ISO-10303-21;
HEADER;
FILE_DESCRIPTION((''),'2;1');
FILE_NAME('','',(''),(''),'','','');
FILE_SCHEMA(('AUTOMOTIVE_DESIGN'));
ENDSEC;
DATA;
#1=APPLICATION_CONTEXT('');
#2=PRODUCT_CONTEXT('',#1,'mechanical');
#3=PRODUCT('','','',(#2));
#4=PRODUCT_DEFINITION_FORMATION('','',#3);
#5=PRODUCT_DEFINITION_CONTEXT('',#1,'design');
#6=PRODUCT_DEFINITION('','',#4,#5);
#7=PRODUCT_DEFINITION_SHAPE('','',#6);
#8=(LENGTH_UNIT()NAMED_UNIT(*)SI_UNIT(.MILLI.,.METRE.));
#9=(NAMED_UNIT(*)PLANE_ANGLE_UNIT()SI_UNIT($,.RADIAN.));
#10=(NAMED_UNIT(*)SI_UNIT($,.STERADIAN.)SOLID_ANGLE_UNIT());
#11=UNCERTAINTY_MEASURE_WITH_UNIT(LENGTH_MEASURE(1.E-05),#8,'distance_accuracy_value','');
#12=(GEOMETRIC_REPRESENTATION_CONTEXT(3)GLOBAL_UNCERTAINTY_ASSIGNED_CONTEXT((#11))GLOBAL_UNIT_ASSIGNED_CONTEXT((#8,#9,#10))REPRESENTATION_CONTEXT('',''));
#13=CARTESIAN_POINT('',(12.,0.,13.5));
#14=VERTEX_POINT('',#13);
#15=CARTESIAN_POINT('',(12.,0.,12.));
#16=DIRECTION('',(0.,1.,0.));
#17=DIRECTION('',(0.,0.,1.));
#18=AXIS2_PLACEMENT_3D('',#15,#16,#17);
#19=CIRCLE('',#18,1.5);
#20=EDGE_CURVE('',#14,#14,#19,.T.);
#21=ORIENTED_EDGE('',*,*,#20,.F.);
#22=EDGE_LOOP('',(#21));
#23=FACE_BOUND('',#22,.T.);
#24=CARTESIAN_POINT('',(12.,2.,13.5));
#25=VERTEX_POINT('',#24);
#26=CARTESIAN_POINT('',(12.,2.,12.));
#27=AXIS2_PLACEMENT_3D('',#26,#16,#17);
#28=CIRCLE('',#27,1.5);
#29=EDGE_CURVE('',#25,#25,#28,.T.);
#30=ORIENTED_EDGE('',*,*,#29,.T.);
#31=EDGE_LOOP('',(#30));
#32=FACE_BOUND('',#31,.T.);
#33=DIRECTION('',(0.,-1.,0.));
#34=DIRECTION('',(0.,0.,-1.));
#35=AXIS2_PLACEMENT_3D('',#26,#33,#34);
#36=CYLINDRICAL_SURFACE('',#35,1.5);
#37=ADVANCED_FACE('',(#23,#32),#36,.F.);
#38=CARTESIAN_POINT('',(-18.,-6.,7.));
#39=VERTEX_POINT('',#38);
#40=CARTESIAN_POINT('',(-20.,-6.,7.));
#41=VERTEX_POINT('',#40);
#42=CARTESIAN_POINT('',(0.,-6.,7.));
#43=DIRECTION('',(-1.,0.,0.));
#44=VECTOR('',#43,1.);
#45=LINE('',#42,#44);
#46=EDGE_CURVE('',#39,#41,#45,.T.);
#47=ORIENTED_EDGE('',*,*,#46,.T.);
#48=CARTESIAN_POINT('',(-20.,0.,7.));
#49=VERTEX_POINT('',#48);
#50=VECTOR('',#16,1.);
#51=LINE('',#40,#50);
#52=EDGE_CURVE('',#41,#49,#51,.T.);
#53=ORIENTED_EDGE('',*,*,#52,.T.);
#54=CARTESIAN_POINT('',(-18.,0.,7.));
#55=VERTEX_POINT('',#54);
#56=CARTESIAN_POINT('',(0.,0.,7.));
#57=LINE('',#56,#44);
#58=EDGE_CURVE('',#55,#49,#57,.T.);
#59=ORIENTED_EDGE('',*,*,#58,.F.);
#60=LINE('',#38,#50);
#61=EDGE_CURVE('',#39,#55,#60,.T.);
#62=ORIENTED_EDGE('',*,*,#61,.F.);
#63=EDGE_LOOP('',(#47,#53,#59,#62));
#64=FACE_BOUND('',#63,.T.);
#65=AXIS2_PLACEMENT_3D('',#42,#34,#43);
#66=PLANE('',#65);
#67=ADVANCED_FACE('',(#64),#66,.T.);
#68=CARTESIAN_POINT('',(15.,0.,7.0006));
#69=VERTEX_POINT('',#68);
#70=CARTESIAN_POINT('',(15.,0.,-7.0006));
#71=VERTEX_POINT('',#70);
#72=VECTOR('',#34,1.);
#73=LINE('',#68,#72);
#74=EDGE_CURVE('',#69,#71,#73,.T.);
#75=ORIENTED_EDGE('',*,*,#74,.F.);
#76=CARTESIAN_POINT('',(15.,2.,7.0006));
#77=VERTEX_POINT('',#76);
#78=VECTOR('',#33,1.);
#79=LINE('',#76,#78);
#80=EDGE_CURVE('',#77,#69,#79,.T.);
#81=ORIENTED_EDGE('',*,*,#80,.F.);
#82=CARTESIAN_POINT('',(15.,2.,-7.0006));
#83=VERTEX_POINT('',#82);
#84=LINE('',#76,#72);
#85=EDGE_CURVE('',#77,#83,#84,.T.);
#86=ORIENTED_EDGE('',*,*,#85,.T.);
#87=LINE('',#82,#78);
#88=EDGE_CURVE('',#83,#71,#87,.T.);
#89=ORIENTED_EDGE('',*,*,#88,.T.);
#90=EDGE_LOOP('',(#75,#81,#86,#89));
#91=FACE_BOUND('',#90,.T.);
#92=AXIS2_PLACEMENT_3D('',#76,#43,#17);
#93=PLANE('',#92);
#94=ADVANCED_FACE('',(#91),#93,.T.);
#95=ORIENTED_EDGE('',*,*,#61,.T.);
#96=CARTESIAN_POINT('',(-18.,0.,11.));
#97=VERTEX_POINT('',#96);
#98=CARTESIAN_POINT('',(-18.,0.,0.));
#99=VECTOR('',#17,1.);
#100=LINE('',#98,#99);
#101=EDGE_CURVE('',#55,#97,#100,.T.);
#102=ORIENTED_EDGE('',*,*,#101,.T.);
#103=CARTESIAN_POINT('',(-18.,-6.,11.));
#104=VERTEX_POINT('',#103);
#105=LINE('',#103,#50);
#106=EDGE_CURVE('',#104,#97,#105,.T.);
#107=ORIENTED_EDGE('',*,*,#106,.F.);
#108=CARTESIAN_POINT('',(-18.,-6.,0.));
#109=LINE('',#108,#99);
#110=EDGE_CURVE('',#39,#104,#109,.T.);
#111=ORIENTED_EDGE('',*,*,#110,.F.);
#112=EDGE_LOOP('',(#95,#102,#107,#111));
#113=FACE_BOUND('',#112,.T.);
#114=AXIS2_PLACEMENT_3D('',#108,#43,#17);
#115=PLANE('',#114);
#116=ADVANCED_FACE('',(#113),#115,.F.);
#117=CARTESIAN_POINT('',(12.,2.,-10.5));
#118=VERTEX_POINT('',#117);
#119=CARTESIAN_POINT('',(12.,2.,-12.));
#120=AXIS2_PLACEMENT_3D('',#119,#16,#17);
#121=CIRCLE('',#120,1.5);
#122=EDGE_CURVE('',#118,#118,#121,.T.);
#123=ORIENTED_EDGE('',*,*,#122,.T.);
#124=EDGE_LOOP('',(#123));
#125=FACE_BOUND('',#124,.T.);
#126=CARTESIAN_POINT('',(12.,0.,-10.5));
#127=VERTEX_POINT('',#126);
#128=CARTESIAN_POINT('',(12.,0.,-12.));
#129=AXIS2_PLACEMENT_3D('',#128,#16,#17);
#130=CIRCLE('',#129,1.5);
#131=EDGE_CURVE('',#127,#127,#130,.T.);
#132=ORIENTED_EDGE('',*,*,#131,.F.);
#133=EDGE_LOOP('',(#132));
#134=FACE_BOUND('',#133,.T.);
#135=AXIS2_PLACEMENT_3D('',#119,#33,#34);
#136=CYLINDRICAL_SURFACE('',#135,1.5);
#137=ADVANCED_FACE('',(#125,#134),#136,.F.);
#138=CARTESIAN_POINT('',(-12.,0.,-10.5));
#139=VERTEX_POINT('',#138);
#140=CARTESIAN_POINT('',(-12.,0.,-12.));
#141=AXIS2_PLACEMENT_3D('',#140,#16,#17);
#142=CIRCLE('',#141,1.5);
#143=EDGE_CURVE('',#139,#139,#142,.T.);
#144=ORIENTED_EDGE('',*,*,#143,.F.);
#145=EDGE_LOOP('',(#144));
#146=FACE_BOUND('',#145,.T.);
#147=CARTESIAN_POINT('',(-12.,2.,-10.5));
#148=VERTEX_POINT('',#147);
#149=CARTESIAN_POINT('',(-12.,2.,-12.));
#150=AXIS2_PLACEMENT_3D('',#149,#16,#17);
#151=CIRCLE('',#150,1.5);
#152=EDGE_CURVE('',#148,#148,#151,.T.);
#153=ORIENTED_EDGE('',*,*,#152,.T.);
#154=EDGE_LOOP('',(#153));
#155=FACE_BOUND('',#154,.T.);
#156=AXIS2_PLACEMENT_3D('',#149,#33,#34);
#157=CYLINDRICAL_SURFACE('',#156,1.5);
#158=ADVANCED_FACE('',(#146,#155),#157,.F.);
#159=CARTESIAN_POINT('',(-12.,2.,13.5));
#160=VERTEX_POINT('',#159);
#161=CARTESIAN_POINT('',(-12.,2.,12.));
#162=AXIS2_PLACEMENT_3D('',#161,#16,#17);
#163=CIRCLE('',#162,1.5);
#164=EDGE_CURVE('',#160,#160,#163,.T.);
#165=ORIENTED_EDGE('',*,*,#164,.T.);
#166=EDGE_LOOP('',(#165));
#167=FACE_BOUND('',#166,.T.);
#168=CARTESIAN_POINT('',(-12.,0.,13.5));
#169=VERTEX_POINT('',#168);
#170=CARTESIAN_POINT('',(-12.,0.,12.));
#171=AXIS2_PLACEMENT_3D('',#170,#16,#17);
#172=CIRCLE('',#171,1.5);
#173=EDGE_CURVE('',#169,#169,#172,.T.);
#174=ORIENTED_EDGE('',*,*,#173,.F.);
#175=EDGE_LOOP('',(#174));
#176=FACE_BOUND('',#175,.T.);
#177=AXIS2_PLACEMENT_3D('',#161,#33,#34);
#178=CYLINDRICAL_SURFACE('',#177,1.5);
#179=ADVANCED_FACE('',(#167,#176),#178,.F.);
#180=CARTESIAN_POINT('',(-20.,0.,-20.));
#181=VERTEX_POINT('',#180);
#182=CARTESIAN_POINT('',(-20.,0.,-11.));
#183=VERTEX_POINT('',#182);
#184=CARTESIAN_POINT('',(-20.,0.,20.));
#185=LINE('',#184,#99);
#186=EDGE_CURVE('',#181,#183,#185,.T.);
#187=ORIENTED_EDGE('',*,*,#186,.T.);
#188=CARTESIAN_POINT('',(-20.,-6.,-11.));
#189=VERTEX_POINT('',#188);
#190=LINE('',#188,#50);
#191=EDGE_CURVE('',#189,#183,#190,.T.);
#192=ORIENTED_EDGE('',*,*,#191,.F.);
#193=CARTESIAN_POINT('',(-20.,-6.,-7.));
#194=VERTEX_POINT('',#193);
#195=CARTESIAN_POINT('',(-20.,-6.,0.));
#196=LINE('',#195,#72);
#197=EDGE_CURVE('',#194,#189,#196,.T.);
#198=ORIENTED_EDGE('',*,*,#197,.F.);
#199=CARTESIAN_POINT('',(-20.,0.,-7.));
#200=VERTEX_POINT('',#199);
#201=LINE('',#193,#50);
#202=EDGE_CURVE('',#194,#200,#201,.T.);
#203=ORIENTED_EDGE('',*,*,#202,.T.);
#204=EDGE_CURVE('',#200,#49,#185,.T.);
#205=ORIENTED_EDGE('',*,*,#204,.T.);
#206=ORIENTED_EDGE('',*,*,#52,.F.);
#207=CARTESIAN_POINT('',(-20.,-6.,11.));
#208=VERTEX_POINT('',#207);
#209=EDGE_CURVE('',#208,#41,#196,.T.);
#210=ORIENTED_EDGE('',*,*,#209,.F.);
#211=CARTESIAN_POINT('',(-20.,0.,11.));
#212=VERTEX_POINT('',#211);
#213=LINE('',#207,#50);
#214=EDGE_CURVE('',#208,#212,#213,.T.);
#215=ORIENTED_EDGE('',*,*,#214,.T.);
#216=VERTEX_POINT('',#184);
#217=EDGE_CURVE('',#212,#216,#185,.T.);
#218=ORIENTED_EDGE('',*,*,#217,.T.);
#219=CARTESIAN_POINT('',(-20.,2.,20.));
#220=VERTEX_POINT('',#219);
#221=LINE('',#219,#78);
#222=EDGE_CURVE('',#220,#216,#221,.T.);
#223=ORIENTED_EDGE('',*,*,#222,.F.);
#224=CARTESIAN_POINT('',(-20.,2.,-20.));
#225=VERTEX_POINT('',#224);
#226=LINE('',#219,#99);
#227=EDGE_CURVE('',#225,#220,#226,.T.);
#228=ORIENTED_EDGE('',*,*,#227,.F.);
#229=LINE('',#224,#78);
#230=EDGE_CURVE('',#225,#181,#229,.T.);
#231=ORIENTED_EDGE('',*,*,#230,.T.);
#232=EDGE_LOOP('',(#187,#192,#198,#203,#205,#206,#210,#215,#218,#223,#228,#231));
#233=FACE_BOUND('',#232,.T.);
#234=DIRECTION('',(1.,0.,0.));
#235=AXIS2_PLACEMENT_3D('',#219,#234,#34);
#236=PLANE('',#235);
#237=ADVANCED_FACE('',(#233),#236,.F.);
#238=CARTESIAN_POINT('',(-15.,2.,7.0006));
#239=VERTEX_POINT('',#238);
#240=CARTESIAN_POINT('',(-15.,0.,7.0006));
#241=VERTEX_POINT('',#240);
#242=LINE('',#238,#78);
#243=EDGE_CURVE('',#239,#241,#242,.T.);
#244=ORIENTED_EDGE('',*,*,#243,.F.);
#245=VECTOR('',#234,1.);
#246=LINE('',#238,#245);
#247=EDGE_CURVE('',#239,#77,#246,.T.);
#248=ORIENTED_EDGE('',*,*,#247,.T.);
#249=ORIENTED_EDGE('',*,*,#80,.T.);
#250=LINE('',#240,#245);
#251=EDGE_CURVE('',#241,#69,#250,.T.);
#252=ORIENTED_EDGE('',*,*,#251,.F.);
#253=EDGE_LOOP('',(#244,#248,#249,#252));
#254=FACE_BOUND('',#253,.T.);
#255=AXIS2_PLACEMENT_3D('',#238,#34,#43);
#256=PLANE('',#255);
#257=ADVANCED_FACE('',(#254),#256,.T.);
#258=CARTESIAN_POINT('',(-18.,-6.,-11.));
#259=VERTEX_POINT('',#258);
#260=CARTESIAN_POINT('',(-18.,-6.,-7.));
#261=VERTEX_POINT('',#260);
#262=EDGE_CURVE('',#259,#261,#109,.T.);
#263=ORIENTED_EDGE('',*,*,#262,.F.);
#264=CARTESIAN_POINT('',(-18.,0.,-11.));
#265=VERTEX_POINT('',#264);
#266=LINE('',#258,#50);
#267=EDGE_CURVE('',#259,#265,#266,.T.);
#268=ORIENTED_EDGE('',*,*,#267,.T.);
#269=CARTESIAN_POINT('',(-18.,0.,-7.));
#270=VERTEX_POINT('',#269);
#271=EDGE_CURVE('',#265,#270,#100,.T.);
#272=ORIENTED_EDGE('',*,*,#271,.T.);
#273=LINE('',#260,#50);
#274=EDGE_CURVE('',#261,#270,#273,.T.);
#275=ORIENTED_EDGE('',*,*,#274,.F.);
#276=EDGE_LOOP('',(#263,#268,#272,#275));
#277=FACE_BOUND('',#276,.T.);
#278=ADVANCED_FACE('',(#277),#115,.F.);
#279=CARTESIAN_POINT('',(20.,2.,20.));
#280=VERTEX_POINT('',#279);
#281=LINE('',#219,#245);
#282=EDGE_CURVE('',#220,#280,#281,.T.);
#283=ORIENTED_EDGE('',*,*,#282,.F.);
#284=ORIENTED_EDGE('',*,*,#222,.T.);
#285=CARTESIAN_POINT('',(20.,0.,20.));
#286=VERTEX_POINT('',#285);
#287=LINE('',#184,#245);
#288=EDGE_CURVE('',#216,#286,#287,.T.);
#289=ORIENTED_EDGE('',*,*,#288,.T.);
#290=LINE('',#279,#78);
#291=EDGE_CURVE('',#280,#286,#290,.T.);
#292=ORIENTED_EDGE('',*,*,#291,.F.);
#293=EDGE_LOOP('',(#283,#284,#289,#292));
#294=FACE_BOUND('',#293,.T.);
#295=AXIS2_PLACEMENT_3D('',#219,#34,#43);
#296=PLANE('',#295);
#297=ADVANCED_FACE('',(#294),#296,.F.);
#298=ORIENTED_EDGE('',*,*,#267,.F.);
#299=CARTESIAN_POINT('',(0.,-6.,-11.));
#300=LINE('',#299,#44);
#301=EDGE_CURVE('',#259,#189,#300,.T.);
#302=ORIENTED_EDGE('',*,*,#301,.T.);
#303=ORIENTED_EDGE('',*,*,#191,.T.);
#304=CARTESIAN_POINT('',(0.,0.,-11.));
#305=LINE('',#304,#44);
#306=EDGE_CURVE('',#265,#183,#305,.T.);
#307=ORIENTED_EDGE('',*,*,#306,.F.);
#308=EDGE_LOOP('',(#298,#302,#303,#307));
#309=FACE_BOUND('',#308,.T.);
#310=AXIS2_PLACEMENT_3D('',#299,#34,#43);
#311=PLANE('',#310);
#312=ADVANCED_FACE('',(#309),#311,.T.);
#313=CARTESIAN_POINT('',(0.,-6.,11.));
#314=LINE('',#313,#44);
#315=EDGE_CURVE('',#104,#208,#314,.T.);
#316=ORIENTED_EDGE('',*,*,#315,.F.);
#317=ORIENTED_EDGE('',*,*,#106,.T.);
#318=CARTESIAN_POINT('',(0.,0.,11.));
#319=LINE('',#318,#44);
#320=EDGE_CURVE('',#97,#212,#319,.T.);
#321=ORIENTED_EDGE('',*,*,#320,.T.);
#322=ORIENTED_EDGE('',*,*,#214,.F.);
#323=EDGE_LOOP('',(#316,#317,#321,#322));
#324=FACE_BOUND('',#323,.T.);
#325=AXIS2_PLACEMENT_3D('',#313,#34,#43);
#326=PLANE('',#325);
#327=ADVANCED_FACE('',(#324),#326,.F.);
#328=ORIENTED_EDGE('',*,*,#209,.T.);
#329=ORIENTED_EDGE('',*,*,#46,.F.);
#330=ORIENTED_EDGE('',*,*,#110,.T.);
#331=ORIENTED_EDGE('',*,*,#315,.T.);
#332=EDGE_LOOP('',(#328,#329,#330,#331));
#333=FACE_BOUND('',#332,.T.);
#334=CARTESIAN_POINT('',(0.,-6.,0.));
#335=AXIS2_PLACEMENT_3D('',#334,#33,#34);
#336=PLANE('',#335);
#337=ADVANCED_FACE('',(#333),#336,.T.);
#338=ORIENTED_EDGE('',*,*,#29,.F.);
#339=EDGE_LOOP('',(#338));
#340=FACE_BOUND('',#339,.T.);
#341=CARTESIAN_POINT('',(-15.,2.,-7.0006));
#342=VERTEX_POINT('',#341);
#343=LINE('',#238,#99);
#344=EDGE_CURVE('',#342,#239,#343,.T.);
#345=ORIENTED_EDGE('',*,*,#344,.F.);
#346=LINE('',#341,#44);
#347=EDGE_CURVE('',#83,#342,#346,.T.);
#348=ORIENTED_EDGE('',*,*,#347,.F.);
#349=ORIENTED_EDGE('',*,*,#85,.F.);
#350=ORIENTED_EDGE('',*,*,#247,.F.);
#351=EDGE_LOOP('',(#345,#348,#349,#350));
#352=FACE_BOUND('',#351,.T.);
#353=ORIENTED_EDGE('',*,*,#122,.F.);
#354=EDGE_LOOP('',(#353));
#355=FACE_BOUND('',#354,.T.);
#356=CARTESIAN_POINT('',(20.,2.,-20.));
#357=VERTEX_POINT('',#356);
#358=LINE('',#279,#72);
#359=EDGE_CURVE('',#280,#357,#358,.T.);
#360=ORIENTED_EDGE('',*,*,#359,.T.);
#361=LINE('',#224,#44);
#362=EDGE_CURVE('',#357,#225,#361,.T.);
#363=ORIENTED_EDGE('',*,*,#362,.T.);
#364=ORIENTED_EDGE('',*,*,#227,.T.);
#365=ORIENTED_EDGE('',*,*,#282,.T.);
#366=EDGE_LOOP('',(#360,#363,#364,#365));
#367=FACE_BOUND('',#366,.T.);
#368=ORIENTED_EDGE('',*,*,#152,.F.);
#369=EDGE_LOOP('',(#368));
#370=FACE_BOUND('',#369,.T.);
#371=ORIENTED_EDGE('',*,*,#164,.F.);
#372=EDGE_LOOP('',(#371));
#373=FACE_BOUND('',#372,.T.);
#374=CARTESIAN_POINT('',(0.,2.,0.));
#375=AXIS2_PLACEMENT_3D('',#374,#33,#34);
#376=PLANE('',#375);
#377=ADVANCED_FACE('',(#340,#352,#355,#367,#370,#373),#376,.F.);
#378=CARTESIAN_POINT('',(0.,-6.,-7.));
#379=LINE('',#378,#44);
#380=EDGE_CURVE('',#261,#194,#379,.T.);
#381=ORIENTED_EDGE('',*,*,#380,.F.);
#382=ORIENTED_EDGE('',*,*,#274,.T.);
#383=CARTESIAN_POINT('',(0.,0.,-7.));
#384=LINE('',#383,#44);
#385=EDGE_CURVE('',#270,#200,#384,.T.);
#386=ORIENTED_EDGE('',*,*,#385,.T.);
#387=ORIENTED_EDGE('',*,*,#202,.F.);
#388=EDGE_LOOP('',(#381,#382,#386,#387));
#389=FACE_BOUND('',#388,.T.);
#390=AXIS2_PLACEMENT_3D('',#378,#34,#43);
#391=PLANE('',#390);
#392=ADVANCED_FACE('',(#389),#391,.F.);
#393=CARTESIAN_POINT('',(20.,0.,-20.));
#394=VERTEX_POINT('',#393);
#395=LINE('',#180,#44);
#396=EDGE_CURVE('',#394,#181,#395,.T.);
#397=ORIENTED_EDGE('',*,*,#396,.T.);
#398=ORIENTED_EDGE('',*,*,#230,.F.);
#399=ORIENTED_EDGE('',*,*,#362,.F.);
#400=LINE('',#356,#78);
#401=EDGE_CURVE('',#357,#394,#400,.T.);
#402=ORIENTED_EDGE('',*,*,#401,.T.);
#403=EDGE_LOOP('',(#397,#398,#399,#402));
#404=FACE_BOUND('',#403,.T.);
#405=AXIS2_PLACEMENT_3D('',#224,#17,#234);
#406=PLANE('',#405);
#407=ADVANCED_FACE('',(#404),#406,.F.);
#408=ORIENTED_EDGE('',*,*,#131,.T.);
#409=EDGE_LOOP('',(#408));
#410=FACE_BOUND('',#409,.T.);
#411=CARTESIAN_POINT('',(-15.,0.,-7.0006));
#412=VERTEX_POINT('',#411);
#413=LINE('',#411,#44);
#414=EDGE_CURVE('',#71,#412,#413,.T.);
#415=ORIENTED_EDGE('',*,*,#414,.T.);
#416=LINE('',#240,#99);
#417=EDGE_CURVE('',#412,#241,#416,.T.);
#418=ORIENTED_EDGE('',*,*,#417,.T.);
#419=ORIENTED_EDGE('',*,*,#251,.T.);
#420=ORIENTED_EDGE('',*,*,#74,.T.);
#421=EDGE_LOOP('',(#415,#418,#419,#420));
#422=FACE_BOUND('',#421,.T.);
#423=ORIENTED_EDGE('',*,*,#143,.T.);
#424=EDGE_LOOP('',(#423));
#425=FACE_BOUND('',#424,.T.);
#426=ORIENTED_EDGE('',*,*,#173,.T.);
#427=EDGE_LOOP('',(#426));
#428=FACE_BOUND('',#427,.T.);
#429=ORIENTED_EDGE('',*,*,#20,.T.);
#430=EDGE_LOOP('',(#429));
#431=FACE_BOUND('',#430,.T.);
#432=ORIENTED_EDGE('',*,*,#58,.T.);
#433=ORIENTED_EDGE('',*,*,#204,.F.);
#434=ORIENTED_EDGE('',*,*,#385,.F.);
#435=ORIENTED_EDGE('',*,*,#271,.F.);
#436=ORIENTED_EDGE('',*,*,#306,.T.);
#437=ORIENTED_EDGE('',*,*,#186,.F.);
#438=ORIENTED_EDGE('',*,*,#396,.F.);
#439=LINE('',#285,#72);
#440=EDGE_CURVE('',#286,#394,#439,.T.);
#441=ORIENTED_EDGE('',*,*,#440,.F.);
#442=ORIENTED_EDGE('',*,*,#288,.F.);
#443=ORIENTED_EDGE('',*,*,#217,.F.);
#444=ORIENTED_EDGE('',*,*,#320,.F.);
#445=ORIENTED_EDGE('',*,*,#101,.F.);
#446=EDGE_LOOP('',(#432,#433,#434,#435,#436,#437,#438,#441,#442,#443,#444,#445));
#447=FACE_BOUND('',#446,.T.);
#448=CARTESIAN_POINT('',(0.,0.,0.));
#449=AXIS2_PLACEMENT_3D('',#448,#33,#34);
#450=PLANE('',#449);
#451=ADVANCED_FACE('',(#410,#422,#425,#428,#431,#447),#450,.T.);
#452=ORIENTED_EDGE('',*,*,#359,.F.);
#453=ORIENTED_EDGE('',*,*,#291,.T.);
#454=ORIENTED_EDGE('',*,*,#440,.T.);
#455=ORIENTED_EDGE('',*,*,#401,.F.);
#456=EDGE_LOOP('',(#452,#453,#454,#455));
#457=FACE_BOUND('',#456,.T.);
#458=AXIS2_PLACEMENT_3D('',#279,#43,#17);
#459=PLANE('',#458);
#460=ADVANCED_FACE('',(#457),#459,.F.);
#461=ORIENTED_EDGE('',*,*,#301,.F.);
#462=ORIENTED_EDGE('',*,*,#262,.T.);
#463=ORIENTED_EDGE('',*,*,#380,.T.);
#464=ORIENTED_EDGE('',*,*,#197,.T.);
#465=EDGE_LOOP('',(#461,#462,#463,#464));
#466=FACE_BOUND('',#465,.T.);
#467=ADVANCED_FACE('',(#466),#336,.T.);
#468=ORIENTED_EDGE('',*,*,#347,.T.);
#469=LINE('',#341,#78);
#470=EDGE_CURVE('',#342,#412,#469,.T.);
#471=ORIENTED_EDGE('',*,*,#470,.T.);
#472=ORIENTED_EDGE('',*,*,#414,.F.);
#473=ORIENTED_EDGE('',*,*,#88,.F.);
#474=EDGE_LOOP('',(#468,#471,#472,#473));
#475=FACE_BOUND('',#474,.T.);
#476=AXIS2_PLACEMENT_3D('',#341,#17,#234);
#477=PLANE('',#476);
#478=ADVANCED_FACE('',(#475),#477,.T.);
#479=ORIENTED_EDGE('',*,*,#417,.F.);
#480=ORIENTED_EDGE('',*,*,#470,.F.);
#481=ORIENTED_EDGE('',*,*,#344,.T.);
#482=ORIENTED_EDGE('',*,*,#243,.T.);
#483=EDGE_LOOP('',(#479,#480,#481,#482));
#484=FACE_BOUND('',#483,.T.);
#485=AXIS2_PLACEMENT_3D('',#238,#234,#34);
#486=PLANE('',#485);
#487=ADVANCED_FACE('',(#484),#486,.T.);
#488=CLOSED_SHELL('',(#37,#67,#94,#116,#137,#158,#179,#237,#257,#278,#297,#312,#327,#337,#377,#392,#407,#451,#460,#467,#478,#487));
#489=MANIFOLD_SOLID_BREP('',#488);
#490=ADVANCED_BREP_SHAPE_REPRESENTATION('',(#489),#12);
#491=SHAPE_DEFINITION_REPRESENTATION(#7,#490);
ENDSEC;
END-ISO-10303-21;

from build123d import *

# Parameters (mm, degrees)
SKETCH2_W           = 40
SKETCH2_H           = 40
SKETCH2_R           = 1.5
SKETCH2_W_2         = 30
SKETCH2_H_2         = 14.001199324
BOSS_EXTRUDE1_DEPTH = 2
SKETCH3_W           = 2
SKETCH3_H           = 4
BOSS_EXTRUDE2_DEPTH = 6


with BuildPart() as part:
    # Sketch2 → Boss-Extrude1 (new body)
    with BuildSketch(Plane(origin=(0, 0, 0), x_dir=(1, 0, 0), z_dir=(0, 1, 0))):
        Rectangle(SKETCH2_W, SKETCH2_H)
        with Locations(Location((-12, 12, 0), (0, 0, 270))):
            Circle(SKETCH2_R, mode=Mode.SUBTRACT)
        with Locations(Location((12, 12, 0), (0, 0, 270))):
            Circle(SKETCH2_R, mode=Mode.SUBTRACT)
        with Locations(Location((-12, -12, 0), (0, 0, 270))):
            Circle(SKETCH2_R, mode=Mode.SUBTRACT)
        with Locations(Location((12, -12, 0), (0, 0, 270))):
            Circle(SKETCH2_R, mode=Mode.SUBTRACT)
        Rectangle(SKETCH2_W_2, SKETCH2_H_2, mode=Mode.SUBTRACT)
    extrude(amount=BOSS_EXTRUDE1_DEPTH)

    # Sketch3 → Boss-Extrude2 (add)
    with BuildSketch(Plane.XZ):
        with Locations((-19, 9)):
            Rectangle(SKETCH3_W, SKETCH3_H)
        with Locations((-19, -9)):
            Rectangle(SKETCH3_W, SKETCH3_H)
    extrude(amount=BOSS_EXTRUDE2_DEPTH)


solid = part.part
